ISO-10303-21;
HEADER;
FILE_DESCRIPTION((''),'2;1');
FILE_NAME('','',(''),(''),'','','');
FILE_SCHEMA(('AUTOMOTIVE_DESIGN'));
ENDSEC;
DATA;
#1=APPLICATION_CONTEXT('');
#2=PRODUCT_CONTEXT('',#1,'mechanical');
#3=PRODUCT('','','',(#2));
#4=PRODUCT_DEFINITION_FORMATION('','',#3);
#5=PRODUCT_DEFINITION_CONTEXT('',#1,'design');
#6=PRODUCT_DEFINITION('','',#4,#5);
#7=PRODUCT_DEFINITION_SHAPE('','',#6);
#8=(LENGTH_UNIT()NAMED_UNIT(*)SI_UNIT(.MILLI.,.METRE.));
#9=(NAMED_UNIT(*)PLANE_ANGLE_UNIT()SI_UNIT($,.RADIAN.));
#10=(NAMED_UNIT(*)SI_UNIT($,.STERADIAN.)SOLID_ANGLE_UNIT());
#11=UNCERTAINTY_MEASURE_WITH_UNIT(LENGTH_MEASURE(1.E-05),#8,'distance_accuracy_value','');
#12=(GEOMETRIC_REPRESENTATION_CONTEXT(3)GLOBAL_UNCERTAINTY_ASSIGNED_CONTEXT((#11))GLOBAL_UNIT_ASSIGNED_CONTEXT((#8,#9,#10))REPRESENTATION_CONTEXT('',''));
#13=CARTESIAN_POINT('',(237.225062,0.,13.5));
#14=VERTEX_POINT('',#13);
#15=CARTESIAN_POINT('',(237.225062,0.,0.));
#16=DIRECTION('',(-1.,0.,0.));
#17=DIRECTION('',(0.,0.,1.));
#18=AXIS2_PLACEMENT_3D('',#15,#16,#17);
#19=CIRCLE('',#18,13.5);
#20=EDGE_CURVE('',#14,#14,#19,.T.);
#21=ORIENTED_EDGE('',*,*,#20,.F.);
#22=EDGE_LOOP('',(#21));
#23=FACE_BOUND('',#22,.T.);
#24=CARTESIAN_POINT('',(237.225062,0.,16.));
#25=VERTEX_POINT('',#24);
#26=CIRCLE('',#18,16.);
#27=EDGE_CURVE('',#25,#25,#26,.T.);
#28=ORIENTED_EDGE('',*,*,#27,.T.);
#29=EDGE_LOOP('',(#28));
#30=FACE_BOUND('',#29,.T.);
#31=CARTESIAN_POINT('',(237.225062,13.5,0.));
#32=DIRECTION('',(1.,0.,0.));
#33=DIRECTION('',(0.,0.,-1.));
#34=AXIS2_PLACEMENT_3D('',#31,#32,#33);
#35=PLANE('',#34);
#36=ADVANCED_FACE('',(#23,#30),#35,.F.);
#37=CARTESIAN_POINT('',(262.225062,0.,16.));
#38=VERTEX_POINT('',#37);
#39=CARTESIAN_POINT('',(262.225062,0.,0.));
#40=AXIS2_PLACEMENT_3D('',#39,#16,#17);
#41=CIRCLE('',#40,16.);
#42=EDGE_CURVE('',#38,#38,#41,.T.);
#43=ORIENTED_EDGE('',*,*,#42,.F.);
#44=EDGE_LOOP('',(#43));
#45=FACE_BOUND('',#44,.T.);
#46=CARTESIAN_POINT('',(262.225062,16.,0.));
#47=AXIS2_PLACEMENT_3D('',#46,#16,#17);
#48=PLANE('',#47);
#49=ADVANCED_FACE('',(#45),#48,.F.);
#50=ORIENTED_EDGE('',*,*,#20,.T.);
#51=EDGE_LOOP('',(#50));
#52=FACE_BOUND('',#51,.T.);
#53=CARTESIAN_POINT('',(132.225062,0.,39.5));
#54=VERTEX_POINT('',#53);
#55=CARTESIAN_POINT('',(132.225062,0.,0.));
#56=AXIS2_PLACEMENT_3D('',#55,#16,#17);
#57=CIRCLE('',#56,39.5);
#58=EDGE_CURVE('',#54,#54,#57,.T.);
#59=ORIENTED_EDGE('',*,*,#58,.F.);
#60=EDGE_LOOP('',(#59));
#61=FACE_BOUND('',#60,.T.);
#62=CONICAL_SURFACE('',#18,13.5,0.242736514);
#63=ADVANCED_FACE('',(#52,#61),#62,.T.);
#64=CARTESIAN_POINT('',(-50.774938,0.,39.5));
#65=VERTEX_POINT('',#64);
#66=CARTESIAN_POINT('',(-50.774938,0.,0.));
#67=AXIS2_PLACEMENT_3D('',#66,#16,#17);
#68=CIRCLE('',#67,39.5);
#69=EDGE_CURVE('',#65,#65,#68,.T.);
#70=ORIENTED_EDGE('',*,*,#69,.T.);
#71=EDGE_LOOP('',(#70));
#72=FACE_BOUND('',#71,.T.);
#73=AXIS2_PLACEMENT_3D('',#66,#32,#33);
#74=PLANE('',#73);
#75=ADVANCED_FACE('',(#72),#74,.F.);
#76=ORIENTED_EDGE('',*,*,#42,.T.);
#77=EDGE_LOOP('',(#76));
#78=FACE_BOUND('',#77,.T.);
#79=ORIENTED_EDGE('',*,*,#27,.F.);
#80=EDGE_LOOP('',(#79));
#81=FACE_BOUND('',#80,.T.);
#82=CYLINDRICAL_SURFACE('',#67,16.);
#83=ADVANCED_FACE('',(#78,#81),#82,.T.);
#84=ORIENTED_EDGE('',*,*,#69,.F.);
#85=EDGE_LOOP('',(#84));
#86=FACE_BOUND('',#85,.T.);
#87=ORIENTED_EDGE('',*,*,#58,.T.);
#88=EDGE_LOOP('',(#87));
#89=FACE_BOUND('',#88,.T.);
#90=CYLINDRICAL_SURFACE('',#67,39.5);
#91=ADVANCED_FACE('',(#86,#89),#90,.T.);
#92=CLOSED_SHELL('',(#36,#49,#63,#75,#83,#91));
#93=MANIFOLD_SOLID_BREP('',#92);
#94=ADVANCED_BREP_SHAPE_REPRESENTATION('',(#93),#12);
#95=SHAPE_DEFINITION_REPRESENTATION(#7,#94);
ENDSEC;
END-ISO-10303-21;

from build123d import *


with BuildPart() as part:
    # Эскиз1 → Повернуть2 (revolve)
    with BuildSketch(Plane.XY, mode=Mode.PRIVATE) as revolve_2_sk:
        Polygon((-50.774937895, 0), (-50.774937895, 39.5), (132.225062105, 39.5), (237.225062105, 13.5), (237.225062105, 16), (262.225062105, 16), (262.225062105, 0), align=None)
    revolve(revolve_2_sk.sketch.rotate(Axis((-50.774937895, 0, 0), (1, 0, 0)), 90), axis=Axis((-50.774937895, 0, 0), (1, 0, 0)))  # turned: the seam where the file's is


solid = part.part
